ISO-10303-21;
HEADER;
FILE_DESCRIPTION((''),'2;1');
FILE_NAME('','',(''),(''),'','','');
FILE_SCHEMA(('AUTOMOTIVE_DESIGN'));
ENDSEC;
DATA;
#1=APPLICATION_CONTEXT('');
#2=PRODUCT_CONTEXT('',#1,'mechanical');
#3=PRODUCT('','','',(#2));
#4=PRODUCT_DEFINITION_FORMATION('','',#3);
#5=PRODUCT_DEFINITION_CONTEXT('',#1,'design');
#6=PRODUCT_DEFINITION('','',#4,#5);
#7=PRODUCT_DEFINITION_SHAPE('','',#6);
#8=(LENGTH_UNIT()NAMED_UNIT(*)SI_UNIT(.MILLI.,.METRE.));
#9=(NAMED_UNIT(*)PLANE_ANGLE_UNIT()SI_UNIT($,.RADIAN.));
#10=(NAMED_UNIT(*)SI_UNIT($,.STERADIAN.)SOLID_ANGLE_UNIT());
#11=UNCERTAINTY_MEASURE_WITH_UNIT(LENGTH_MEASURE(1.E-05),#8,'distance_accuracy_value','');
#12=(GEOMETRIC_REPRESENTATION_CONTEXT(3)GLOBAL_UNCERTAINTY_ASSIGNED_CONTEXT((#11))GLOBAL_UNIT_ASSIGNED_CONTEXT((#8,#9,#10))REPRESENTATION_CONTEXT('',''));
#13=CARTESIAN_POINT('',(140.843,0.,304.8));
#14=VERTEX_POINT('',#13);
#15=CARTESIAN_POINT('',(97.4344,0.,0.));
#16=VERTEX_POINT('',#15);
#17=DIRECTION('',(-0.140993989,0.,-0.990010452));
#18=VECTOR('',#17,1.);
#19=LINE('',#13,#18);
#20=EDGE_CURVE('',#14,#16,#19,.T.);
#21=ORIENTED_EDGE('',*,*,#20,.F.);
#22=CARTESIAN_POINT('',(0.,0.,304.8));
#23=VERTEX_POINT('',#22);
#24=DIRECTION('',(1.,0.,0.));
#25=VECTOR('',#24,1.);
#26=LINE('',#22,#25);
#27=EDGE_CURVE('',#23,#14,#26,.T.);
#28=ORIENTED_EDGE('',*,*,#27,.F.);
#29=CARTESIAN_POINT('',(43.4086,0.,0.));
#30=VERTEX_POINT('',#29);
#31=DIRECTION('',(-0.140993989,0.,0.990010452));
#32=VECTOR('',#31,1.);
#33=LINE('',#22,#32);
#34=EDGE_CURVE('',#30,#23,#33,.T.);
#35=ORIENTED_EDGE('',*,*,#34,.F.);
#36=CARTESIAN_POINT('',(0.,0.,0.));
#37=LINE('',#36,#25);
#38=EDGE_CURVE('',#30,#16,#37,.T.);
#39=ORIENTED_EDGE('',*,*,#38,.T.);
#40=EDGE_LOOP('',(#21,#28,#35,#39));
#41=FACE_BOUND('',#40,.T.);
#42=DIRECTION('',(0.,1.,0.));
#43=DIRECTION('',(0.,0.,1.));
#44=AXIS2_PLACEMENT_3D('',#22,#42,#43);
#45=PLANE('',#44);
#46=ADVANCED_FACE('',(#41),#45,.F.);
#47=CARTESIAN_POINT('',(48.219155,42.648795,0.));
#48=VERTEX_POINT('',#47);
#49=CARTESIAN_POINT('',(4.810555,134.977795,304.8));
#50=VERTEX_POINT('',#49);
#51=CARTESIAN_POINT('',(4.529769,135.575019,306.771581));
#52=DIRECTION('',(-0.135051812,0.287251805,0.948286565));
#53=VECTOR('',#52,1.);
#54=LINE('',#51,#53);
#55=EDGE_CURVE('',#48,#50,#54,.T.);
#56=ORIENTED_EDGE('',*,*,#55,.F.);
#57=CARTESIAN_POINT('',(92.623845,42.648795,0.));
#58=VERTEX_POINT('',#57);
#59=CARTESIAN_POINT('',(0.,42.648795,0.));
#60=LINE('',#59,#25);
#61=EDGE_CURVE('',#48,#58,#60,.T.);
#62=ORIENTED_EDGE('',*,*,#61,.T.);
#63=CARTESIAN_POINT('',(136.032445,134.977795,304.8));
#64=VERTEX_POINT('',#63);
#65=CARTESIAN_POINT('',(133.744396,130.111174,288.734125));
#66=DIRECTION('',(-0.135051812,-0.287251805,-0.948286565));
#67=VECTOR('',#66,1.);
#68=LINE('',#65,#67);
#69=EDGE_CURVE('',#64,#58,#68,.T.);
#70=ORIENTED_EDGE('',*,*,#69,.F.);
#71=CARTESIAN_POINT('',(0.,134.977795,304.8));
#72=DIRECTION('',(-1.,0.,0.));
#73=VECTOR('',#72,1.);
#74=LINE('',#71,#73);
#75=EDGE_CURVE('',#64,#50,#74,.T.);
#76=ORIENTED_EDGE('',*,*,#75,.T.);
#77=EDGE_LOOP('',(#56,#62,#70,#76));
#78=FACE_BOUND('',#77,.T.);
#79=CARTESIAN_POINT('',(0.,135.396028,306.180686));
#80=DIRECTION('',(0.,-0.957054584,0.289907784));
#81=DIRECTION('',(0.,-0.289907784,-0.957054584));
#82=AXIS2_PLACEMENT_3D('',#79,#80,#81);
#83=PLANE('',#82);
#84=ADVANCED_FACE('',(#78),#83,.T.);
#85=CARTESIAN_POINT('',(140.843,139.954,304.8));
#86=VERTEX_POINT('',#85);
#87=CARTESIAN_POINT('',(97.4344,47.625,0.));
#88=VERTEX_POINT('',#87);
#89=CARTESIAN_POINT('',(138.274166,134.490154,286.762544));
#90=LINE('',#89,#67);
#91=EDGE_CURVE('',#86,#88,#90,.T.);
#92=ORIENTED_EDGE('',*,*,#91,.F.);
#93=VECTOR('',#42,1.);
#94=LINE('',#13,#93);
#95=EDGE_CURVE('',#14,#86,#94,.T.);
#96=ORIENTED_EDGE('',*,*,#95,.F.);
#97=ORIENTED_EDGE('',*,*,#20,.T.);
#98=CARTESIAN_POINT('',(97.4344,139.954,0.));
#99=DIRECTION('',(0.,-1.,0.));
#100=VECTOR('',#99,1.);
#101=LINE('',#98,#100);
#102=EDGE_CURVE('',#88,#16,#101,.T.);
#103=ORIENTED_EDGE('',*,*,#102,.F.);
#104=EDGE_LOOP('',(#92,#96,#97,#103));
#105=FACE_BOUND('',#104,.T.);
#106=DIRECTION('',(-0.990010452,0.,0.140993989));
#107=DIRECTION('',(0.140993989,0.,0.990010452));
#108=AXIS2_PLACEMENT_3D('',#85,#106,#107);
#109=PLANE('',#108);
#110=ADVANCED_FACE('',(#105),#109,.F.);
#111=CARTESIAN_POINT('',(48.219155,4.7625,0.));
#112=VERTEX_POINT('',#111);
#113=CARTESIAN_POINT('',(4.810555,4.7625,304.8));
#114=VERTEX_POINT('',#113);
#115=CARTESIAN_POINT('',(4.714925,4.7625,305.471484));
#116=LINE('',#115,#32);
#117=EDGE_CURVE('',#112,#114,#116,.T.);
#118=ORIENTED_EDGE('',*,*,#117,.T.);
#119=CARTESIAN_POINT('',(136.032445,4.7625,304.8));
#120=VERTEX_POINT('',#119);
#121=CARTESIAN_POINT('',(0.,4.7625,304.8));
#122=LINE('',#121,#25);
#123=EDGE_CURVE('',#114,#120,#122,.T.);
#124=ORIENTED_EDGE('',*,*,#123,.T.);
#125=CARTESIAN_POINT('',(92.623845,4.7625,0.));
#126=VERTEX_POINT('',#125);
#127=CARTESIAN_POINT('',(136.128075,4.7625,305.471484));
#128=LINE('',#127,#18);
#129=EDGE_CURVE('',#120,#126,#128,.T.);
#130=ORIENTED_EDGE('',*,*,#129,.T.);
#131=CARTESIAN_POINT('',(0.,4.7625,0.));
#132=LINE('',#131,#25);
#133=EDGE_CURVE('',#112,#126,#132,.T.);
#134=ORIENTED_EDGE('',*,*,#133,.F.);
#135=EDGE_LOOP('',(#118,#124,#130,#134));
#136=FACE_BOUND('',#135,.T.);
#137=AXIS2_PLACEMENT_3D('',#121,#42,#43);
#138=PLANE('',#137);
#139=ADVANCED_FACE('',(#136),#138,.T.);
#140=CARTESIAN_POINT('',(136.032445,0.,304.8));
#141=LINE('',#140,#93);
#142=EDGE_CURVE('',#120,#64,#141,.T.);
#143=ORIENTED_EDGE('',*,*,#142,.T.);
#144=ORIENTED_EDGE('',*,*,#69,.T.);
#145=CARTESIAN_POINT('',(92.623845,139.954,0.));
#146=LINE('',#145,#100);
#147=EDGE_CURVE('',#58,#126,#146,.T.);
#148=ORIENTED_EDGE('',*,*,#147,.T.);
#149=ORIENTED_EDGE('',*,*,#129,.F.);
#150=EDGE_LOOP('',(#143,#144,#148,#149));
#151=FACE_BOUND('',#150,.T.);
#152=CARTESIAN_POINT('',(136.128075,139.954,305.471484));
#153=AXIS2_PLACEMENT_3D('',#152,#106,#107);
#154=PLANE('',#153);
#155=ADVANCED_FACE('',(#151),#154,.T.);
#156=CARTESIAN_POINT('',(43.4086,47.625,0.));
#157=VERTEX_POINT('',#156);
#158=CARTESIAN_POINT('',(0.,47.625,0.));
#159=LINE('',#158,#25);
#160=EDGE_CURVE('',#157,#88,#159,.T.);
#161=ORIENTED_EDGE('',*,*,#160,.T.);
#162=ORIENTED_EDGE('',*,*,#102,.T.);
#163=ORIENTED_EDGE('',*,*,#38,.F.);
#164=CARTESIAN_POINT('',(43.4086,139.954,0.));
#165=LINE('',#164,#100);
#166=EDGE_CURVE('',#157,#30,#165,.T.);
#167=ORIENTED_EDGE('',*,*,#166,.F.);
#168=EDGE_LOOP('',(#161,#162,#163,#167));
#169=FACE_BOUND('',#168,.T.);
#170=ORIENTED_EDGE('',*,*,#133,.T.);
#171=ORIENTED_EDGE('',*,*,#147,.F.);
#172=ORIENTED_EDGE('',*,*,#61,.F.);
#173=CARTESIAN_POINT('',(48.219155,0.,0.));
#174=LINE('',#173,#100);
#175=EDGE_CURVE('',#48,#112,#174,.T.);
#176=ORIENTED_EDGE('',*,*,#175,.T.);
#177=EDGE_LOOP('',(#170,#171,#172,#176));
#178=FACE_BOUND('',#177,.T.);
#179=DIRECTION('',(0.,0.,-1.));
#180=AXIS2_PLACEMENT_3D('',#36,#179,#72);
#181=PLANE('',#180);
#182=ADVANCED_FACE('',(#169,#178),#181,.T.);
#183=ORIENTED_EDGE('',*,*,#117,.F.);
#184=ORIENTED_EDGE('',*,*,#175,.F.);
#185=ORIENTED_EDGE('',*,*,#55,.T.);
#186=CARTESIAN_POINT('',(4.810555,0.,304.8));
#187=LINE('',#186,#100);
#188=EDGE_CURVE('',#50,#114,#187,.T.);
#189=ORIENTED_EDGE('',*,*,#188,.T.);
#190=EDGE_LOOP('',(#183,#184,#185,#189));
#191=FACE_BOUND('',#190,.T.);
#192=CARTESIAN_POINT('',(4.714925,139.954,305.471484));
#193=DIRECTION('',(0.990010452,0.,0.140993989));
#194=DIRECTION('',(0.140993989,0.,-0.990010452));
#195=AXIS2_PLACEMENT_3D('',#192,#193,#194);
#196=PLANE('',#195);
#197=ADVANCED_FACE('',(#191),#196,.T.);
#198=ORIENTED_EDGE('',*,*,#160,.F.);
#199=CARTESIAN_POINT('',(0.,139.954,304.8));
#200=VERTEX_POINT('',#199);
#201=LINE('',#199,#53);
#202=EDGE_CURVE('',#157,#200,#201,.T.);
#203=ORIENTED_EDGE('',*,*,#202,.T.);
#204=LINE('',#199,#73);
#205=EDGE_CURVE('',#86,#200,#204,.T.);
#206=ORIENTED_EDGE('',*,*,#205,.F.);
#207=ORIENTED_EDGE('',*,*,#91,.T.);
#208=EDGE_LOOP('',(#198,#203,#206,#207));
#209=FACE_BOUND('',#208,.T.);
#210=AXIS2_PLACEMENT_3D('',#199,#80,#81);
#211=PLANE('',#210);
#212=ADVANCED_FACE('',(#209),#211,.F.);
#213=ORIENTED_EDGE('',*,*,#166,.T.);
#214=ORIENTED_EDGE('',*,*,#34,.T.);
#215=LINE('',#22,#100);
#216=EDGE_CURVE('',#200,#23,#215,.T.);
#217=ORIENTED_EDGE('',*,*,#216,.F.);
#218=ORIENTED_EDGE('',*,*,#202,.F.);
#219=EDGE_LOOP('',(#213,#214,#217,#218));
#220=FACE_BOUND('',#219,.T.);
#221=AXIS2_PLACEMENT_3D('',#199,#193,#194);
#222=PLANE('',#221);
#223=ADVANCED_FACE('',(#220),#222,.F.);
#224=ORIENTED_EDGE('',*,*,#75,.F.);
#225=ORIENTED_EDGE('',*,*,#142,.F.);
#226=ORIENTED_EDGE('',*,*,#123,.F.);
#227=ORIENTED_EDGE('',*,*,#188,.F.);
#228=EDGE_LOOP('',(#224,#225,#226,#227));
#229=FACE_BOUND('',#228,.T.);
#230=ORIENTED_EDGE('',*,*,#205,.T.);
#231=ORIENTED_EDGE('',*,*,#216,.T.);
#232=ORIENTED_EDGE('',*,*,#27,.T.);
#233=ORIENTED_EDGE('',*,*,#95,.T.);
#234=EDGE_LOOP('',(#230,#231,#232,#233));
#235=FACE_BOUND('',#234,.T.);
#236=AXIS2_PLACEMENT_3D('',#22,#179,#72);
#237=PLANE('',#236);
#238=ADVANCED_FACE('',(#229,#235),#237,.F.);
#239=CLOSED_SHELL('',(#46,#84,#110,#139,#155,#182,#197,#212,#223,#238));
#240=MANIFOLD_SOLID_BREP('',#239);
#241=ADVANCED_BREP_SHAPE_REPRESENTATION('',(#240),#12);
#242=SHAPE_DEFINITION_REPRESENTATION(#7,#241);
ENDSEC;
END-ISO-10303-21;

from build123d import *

# Parameters (mm, degrees)
SKETCH1_W           = 140.843
SKETCH1_H           = 139.954
BOSS_EXTRUDE1_DEPTH = 304.8
CUT_EXTRUDE1_DEPTH  = 364.767663166
CUT_EXTRUDE2_DEPTH  = 364.767663166
SHELL1_T            = -4.7625


with BuildPart() as part:
    # Sketch1 → Boss-Extrude1 (new body)
    with BuildSketch(Plane.XY):
        with Locations((70.4215, 69.977)):
            Rectangle(SKETCH1_W, SKETCH1_H)
    extrude(amount=BOSS_EXTRUDE1_DEPTH)

    # Sketch2 → Cut-Extrude1 (cut, through all)
    with BuildSketch(Plane(origin=(140.843, 0, 0), x_dir=(0, 0, -1), z_dir=(1, 0, 0))):
        Polygon((-304.8, 139.954), (0, 47.625), (0, 139.954), align=None)
    extrude(amount=-CUT_EXTRUDE1_DEPTH, mode=Mode.SUBTRACT)

    # Sketch3 → Cut-Extrude2 (cut, through all)
    with BuildSketch(Plane.XZ):
        Polygon((140.843, 304.8), (97.4344, 0), (140.843, 0), align=None)
        Polygon((0, 304.8), (43.4086, 0), (0, 0), align=None)
    extrude(amount=-CUT_EXTRUDE2_DEPTH, mode=Mode.SUBTRACT)

    # Shell1
    shell1_openings = [part.faces().sort_by_distance(p)[0] for p in [
        (70.4215, 69.977, 304.8),
        (70.4215, 23.8125, 0),
    ]]
    offset(amount=SHELL1_T, openings=shell1_openings, kind=Kind.INTERSECTION)


solid = part.part
